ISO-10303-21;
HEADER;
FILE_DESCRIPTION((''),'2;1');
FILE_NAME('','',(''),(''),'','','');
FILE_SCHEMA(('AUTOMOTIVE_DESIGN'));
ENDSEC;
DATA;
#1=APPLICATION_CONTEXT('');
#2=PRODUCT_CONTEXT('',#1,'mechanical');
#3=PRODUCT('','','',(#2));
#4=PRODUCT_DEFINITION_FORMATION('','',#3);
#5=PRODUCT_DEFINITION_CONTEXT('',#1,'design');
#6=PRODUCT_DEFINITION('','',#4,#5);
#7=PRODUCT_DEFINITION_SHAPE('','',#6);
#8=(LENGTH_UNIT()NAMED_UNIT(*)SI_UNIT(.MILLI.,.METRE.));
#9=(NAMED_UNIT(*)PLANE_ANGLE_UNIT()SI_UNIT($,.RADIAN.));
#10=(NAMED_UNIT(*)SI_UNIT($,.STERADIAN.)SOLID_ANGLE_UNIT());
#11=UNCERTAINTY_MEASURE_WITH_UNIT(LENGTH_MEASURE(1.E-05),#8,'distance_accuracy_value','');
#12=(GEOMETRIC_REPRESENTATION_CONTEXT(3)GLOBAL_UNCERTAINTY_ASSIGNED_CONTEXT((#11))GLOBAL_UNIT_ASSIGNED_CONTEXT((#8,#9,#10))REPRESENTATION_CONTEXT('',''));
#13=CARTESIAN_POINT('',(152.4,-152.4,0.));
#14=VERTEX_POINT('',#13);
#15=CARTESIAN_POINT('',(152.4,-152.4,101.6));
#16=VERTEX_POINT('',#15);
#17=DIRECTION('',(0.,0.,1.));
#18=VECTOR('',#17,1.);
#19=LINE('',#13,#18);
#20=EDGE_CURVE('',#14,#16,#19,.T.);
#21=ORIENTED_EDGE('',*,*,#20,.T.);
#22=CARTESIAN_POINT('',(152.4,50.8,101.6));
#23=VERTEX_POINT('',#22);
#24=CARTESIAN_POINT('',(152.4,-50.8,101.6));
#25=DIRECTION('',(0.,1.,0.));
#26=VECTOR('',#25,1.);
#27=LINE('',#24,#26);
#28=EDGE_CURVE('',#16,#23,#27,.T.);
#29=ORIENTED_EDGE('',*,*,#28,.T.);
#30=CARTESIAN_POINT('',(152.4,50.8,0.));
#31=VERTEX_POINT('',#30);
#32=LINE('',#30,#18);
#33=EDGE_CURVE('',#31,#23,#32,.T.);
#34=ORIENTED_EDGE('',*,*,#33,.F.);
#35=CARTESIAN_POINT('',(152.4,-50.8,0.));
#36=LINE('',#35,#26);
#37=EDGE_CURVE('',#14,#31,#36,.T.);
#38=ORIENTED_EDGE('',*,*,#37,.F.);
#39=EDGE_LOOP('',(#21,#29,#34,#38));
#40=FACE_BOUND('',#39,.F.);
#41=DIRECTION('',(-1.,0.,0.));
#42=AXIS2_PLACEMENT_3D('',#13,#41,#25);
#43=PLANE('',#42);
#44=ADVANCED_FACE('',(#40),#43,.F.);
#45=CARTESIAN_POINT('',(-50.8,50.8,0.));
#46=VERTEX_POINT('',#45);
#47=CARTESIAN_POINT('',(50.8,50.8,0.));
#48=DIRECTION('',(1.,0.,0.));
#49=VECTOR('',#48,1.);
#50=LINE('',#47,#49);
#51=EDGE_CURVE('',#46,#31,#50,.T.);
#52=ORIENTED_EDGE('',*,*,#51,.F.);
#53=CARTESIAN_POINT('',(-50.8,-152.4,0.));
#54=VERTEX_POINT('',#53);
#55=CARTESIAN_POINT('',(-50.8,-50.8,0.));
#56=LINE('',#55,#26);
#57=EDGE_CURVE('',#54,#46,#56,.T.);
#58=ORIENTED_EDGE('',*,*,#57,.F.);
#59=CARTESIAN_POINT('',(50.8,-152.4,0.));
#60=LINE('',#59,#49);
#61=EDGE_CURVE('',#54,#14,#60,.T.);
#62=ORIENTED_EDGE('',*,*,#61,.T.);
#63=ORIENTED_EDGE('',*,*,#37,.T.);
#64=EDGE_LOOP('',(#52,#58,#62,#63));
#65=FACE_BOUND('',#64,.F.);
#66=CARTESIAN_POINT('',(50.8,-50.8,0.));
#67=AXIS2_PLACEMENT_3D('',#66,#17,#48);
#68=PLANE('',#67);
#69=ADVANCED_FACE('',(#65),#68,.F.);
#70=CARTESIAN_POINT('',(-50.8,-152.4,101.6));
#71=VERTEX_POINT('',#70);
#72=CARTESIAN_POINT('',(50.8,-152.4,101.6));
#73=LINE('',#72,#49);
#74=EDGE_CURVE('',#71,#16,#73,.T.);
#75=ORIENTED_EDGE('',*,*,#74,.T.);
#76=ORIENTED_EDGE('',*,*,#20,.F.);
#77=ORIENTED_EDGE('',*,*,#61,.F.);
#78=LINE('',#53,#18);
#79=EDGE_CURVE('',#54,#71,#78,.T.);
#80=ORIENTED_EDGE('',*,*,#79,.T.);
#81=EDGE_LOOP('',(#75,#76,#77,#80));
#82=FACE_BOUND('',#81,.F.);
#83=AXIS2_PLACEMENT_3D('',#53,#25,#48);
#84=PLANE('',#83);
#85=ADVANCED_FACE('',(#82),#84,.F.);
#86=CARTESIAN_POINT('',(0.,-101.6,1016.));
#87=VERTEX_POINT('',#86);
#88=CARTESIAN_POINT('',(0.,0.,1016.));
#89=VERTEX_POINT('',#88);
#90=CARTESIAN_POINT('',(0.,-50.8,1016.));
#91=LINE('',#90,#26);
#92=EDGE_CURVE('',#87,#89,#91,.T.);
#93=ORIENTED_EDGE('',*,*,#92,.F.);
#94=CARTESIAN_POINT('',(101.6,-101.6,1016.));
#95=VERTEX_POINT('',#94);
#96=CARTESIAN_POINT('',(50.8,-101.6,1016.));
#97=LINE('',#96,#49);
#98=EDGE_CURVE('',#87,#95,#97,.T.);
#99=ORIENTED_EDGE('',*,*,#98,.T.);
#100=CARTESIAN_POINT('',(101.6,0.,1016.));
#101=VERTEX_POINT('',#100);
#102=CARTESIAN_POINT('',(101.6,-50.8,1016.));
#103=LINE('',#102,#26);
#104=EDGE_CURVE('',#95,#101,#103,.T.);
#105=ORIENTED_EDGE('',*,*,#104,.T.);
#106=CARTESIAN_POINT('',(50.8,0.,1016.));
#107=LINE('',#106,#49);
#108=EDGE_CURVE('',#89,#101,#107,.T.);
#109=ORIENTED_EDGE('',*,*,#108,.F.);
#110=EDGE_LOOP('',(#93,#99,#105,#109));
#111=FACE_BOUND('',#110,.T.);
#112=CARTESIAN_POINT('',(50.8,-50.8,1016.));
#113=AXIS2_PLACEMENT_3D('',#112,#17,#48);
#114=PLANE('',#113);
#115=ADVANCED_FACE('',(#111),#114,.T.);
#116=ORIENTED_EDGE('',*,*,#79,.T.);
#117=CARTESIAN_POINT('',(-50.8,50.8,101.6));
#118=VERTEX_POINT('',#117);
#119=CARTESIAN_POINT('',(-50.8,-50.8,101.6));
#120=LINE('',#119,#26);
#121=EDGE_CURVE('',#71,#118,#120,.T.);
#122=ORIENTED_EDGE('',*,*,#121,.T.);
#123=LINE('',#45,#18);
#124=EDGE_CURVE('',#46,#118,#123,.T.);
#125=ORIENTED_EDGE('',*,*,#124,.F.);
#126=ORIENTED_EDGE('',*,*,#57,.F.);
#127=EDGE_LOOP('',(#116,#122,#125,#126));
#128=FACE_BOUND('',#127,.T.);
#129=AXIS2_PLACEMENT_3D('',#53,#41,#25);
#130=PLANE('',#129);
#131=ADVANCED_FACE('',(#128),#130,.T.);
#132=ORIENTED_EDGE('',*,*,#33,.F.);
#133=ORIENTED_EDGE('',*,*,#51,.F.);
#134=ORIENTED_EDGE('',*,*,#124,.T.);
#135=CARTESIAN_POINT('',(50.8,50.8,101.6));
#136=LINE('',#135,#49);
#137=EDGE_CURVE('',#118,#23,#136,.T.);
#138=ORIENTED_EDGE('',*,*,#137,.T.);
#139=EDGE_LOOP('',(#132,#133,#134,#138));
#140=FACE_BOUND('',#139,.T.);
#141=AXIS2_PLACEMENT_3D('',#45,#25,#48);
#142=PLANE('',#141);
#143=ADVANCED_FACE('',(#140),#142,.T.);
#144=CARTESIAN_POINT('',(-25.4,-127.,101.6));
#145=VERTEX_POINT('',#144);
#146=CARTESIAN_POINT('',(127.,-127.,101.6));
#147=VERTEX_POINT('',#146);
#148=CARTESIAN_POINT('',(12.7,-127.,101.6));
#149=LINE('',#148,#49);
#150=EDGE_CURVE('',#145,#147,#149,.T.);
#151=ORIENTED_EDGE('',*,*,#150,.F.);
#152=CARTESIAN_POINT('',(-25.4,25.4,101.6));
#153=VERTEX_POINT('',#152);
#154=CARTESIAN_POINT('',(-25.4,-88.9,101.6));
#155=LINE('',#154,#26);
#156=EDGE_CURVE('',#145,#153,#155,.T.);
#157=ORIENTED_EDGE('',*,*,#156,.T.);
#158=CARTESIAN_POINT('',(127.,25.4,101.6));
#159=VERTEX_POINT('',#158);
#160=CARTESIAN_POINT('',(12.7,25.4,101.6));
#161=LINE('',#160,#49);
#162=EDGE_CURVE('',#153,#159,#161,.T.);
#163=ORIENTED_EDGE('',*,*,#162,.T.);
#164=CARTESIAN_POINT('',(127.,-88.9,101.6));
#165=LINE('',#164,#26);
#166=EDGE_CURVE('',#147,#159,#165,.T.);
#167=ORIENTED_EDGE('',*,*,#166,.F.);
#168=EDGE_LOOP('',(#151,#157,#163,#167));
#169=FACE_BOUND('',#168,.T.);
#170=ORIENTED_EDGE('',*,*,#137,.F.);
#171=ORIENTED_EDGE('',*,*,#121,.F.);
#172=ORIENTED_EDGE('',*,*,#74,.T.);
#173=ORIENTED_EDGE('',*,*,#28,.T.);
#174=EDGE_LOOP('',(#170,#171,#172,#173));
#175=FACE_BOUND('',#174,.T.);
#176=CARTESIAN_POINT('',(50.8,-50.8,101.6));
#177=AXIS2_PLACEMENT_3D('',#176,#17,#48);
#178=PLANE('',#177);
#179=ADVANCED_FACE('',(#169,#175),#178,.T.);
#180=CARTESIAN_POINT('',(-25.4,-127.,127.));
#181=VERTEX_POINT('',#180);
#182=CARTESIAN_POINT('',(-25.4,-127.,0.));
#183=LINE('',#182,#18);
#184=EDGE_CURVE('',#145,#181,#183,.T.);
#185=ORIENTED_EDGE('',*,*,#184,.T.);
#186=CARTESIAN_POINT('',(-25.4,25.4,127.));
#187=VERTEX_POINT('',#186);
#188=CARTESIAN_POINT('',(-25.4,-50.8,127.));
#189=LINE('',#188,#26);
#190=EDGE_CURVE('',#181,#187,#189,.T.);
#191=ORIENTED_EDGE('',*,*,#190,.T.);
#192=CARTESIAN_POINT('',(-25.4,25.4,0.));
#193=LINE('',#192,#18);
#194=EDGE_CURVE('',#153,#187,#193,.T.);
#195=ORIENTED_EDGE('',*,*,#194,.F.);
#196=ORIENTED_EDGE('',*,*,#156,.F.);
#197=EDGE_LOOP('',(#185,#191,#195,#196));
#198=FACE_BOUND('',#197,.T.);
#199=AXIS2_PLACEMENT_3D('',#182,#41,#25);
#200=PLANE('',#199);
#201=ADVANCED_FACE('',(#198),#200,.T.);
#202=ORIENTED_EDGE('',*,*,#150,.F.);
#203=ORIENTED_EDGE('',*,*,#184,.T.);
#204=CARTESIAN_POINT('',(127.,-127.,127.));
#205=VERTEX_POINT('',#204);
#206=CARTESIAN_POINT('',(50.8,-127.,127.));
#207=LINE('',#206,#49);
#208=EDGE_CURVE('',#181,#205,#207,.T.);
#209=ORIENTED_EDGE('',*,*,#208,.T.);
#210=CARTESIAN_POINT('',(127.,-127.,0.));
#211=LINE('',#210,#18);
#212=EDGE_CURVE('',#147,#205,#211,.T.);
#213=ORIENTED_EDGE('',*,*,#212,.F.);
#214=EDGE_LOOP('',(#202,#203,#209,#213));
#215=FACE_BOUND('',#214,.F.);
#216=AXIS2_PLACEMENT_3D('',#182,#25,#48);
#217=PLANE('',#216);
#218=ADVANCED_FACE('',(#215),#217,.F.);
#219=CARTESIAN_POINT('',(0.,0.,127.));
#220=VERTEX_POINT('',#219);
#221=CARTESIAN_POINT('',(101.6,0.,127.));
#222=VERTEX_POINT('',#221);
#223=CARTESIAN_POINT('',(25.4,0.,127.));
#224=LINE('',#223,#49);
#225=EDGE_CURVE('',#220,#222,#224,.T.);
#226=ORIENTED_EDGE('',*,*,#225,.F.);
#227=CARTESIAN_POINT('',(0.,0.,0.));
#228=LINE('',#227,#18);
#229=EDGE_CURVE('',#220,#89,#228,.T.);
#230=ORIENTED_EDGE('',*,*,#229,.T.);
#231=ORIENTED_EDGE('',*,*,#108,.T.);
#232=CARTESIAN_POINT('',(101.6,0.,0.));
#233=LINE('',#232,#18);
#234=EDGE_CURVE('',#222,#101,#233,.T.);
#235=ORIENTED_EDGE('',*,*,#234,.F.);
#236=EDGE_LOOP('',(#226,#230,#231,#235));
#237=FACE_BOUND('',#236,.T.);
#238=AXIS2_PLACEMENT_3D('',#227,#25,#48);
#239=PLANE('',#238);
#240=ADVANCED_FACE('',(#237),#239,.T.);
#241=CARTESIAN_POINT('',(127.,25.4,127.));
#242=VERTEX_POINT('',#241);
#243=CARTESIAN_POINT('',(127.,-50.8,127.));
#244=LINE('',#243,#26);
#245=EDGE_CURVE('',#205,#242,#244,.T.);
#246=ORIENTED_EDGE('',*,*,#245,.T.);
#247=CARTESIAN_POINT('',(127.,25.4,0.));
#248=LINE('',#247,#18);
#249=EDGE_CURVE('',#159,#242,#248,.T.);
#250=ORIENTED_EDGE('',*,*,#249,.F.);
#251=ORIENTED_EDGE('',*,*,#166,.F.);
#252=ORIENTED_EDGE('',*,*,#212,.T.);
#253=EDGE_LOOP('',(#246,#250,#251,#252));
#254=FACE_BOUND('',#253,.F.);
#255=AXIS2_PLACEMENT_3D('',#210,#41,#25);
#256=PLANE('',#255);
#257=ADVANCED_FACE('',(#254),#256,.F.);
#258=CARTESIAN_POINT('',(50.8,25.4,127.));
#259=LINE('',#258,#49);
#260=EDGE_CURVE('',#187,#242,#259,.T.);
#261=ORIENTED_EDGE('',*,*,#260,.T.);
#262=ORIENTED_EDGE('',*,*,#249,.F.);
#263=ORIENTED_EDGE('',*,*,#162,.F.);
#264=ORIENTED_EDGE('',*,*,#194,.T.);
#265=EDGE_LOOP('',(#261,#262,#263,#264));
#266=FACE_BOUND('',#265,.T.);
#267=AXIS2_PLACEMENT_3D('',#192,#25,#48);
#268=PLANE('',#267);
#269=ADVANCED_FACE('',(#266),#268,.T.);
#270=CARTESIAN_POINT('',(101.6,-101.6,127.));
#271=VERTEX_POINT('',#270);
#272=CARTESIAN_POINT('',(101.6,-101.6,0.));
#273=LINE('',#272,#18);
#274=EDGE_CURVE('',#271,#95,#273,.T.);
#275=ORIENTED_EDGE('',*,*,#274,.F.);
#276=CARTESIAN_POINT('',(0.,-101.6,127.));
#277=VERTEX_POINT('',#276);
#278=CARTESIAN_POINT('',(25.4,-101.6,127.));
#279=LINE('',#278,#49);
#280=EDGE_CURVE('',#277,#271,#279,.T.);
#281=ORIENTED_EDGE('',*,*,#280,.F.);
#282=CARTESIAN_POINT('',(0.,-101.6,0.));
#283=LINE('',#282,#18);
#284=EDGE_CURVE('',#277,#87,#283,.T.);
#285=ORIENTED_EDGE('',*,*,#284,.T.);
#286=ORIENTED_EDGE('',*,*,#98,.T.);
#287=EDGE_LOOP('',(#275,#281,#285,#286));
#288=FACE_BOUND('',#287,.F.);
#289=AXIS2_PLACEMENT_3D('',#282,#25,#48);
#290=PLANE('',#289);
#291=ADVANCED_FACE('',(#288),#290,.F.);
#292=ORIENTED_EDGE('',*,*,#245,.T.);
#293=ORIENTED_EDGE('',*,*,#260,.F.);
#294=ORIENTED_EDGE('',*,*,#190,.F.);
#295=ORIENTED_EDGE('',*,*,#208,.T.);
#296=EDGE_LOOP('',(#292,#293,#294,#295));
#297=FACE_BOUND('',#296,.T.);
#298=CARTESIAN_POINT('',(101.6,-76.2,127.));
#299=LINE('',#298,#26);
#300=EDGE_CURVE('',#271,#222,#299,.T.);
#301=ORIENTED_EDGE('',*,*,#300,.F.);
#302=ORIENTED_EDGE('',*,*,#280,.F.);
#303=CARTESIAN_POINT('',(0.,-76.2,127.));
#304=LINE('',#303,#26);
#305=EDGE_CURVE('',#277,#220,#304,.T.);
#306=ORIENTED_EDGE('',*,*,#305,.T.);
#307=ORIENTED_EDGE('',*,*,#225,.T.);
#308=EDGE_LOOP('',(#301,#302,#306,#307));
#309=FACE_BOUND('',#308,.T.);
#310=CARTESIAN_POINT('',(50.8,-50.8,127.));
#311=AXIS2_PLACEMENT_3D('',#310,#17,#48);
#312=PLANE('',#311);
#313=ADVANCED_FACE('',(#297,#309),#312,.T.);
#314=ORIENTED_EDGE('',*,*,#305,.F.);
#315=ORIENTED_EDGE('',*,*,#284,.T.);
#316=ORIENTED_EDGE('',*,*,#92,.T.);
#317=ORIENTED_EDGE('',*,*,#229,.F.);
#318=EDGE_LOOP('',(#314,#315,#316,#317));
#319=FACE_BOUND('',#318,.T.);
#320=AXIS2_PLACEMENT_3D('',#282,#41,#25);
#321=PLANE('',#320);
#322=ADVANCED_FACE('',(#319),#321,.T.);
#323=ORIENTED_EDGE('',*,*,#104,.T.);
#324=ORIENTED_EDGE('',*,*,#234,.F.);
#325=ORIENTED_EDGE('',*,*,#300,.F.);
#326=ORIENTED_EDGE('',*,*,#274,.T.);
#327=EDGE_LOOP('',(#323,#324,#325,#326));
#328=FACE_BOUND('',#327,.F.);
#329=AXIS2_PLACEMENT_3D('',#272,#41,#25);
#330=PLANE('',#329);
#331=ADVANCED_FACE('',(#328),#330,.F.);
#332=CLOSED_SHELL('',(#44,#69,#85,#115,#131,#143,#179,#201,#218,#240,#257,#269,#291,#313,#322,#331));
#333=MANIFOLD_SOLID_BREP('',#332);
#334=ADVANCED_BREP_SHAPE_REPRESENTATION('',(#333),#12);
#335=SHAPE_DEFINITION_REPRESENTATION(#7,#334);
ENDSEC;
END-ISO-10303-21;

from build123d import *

# Parameters (mm, degrees)
F0_W     = 101.6
F0_H     = 101.6
F1_DEPTH = 1016
F4_W     = 152.4
F4_H     = 152.4
F5_DEPTH = 127
F6_W     = 203.2
F6_H     = 203.2
F7_DEPTH = 101.6


with BuildPart() as f1:
    # F0 (on Top) → F1 (new body)
    with BuildSketch(Plane.XY):
        with Locations((50.8, -50.8)):
            Rectangle(F0_W, F0_H)
    extrude(amount=F1_DEPTH)

    # F4 (on Top) → F5 (join)
    with BuildSketch(Plane.XY):
        with Locations((50.8, -50.8)):
            Rectangle(F4_W, F4_H)
    extrude(amount=F5_DEPTH)

    # F6 (on Top) → F7 (join)
    with BuildSketch(Plane.XY):
        with Locations((50.8, -50.8)):
            Rectangle(F6_W, F6_H)
    extrude(amount=F7_DEPTH)


solid = f1.part
